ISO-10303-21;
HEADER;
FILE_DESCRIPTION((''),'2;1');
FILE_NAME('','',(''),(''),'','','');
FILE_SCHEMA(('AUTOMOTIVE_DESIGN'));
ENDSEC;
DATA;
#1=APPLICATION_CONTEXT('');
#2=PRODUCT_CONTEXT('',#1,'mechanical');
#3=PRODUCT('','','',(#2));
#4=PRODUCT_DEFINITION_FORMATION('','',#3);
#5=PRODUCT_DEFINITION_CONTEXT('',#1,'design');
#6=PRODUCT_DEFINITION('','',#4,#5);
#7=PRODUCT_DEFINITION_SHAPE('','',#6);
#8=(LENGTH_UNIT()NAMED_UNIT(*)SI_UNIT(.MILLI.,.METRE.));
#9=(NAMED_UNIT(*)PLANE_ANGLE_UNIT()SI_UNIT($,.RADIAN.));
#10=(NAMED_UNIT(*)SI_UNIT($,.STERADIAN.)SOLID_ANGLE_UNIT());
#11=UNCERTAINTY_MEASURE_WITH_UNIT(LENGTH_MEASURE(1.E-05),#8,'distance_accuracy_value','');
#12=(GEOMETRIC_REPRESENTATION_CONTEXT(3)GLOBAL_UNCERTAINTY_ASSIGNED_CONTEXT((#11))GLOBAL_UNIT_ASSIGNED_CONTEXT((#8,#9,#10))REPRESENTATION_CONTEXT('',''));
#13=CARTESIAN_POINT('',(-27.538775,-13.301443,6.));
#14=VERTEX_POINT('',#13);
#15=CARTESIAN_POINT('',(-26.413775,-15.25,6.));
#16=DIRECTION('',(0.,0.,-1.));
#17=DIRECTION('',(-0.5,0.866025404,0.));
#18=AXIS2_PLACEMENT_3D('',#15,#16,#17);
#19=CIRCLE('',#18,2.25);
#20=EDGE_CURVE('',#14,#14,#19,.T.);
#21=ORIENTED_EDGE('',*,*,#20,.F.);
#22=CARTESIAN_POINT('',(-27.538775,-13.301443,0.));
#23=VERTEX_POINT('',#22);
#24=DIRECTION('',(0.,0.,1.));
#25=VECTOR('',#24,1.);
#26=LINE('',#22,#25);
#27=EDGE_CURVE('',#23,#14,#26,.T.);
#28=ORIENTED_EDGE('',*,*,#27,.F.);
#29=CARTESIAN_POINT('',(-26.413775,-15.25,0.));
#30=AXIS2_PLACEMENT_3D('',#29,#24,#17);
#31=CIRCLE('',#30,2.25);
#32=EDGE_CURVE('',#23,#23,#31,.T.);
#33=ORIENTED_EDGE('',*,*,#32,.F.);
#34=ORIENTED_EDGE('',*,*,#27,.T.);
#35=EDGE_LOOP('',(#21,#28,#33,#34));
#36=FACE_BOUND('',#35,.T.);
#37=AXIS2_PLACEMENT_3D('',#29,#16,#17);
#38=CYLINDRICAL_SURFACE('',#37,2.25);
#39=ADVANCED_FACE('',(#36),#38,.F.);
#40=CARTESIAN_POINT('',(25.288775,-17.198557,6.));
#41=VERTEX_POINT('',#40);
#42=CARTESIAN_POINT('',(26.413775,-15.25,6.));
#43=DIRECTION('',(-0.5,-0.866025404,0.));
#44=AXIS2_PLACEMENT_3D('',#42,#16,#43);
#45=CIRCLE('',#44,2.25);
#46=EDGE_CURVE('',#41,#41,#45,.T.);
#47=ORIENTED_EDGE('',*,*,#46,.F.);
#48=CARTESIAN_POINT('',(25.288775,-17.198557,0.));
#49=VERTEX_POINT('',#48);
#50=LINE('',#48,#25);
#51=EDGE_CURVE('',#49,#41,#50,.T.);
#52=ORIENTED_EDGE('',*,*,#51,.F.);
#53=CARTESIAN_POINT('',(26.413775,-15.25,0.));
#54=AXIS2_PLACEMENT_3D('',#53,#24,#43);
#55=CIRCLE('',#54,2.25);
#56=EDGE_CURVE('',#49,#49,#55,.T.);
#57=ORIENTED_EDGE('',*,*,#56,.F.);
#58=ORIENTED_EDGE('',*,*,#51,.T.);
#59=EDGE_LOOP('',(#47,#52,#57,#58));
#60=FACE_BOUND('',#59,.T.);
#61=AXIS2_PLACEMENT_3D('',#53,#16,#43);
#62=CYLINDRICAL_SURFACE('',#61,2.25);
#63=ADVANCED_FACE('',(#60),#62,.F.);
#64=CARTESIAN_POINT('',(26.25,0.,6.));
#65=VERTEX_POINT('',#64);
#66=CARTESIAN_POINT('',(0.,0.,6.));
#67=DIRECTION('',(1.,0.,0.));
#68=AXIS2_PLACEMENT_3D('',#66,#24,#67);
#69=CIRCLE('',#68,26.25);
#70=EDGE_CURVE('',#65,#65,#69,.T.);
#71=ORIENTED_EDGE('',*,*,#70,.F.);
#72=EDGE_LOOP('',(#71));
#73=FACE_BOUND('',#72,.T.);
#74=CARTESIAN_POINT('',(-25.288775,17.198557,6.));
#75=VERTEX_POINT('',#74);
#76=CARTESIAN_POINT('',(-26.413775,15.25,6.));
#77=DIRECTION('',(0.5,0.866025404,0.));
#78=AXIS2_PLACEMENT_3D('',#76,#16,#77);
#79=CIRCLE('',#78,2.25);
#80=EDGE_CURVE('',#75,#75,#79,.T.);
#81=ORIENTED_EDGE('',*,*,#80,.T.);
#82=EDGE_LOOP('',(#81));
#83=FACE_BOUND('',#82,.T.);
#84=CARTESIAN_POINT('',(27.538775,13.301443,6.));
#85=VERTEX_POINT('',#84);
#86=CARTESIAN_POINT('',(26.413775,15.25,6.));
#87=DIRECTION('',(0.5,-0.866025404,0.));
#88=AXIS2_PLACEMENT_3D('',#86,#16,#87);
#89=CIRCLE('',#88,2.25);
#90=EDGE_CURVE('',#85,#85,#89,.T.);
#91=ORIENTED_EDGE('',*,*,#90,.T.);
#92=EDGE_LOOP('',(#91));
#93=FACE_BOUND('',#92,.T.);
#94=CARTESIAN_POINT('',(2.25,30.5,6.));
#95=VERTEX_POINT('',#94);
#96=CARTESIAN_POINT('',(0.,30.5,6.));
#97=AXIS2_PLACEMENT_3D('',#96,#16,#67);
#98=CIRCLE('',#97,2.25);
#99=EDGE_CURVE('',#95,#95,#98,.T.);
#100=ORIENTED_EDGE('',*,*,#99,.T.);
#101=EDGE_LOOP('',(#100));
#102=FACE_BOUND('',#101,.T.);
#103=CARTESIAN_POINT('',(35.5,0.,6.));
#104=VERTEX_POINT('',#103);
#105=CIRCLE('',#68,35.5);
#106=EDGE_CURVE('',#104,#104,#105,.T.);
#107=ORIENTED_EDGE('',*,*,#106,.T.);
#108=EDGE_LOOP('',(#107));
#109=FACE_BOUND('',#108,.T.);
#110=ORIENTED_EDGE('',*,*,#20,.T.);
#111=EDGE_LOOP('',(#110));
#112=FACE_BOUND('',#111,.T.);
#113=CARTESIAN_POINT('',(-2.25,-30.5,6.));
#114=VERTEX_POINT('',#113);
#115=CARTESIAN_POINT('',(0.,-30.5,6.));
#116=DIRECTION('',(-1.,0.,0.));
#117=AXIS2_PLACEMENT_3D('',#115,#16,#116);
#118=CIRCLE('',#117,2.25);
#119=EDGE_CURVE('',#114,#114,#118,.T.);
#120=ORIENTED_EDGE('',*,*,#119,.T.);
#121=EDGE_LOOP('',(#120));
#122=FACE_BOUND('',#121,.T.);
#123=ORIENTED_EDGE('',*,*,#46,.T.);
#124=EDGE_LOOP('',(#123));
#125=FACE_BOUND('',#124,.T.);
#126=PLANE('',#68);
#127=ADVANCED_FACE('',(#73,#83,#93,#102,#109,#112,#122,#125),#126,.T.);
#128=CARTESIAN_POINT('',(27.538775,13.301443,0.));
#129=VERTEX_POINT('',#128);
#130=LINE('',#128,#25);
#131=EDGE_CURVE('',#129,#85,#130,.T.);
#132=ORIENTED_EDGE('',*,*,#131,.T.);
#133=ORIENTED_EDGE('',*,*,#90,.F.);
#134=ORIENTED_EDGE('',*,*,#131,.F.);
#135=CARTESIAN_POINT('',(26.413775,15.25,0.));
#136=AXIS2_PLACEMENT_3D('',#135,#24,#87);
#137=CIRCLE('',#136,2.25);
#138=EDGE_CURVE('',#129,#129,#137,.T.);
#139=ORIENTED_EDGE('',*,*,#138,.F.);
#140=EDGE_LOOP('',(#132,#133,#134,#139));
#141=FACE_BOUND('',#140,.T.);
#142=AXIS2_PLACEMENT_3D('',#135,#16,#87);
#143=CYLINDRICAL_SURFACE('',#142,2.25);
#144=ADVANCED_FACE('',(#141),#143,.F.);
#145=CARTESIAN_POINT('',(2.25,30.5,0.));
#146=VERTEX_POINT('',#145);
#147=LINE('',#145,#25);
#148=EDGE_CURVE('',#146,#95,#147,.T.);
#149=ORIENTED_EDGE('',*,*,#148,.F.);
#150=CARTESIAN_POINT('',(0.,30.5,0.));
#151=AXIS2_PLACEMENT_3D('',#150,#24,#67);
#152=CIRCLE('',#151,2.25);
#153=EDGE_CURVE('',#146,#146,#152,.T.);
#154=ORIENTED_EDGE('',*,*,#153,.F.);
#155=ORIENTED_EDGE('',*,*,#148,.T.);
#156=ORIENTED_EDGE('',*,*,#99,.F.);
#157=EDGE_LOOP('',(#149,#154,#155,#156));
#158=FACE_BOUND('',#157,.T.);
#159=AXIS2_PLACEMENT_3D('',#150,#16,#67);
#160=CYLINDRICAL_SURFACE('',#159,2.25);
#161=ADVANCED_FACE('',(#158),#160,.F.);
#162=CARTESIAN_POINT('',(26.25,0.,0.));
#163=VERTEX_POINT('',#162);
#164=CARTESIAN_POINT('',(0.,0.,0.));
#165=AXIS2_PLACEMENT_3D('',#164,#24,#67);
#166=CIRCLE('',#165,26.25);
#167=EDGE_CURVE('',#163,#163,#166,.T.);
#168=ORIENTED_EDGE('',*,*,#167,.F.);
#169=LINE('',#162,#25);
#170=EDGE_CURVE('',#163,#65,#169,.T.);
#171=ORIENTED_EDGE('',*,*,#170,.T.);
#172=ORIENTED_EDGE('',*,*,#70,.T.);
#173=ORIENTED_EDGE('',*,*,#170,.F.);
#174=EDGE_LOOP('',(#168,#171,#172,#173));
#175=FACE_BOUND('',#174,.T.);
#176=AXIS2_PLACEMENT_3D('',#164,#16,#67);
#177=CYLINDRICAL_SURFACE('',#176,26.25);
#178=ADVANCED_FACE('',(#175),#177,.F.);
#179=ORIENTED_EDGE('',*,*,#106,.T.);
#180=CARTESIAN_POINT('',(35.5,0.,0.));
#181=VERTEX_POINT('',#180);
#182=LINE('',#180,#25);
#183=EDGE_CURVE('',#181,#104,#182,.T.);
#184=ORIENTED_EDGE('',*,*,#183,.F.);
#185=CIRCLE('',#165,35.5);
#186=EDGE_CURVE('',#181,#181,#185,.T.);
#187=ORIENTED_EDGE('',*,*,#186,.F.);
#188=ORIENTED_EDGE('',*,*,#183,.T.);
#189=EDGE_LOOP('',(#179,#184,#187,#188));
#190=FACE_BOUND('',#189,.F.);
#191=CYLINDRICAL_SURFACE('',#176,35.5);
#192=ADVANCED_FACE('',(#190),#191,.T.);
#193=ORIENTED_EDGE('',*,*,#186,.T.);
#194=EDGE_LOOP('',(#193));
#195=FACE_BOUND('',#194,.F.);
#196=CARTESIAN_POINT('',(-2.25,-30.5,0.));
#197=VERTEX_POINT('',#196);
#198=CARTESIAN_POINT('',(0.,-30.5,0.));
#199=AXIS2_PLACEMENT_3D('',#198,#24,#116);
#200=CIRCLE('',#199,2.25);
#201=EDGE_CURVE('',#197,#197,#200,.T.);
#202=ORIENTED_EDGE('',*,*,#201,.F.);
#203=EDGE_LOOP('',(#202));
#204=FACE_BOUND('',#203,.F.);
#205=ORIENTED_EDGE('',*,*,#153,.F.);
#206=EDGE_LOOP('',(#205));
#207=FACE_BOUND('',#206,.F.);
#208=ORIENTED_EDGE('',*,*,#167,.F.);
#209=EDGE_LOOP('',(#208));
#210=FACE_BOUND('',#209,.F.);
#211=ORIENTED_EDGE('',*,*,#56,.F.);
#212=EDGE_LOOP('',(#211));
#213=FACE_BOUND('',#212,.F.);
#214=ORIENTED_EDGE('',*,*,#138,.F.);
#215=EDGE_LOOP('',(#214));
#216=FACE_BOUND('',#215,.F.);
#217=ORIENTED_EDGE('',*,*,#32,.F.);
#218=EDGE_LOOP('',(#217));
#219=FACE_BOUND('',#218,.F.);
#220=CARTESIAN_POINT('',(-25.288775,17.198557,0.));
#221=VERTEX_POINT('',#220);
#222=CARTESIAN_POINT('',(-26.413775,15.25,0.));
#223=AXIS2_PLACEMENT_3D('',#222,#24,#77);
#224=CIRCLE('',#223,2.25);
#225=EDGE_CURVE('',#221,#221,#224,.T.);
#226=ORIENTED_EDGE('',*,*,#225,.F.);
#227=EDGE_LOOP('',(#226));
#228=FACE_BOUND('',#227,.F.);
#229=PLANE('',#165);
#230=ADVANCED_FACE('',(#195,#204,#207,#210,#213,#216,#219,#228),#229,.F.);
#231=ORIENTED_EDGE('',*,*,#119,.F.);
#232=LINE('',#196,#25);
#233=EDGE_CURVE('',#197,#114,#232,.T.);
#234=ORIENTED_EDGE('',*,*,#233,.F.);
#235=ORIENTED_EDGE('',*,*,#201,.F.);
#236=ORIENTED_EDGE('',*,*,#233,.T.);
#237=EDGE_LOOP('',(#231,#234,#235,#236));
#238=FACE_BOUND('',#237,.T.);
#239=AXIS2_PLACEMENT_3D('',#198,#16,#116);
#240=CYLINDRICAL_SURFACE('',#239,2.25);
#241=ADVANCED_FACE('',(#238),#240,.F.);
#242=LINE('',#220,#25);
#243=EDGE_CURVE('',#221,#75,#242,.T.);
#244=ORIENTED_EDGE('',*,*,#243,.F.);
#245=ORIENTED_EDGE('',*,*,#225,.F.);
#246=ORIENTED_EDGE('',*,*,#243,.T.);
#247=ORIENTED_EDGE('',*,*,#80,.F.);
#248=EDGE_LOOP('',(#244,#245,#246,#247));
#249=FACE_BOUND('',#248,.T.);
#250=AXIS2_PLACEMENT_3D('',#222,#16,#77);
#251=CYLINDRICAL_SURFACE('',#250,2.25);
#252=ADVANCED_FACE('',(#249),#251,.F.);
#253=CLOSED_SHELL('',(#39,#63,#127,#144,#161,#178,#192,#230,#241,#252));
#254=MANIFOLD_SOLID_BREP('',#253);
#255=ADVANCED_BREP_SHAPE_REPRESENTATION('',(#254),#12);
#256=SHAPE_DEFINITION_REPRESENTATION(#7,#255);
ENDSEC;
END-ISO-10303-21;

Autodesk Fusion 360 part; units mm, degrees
sketch "Sketch17" plane through (0, 0, 0) normal (0, 0, 1) x (1, 0, 0)
  circle A0 centre (0, 0) radius 26.25
  circle A1 centre (0, 0) radius 35.5
  dimension "d61" = 52.5
  dimension "d62" = 71
extrude "Extrude10" add sketch "Sketch17" along normal blind 6
sketch "Sketch18" plane through (0, 0, 0) normal (0, 0, 1) x (1, 0, 0)
  point P0 (0, 30.5)
sketch "Sketch19" plane through (0, 0, 0) normal (0, 0, 1) x (1, 0, 0)
  circle A0 centre (0, 30.5) radius 2.25
  dimension "d65" = 4.5
extrude "Extrude11" cut sketch "Sketch19" along normal blind 10
pattern_circular "C-Pattern7" count 6 over 360 about axis through (0, 0, 0) along (0, 0, 1) of "Extrude11"
